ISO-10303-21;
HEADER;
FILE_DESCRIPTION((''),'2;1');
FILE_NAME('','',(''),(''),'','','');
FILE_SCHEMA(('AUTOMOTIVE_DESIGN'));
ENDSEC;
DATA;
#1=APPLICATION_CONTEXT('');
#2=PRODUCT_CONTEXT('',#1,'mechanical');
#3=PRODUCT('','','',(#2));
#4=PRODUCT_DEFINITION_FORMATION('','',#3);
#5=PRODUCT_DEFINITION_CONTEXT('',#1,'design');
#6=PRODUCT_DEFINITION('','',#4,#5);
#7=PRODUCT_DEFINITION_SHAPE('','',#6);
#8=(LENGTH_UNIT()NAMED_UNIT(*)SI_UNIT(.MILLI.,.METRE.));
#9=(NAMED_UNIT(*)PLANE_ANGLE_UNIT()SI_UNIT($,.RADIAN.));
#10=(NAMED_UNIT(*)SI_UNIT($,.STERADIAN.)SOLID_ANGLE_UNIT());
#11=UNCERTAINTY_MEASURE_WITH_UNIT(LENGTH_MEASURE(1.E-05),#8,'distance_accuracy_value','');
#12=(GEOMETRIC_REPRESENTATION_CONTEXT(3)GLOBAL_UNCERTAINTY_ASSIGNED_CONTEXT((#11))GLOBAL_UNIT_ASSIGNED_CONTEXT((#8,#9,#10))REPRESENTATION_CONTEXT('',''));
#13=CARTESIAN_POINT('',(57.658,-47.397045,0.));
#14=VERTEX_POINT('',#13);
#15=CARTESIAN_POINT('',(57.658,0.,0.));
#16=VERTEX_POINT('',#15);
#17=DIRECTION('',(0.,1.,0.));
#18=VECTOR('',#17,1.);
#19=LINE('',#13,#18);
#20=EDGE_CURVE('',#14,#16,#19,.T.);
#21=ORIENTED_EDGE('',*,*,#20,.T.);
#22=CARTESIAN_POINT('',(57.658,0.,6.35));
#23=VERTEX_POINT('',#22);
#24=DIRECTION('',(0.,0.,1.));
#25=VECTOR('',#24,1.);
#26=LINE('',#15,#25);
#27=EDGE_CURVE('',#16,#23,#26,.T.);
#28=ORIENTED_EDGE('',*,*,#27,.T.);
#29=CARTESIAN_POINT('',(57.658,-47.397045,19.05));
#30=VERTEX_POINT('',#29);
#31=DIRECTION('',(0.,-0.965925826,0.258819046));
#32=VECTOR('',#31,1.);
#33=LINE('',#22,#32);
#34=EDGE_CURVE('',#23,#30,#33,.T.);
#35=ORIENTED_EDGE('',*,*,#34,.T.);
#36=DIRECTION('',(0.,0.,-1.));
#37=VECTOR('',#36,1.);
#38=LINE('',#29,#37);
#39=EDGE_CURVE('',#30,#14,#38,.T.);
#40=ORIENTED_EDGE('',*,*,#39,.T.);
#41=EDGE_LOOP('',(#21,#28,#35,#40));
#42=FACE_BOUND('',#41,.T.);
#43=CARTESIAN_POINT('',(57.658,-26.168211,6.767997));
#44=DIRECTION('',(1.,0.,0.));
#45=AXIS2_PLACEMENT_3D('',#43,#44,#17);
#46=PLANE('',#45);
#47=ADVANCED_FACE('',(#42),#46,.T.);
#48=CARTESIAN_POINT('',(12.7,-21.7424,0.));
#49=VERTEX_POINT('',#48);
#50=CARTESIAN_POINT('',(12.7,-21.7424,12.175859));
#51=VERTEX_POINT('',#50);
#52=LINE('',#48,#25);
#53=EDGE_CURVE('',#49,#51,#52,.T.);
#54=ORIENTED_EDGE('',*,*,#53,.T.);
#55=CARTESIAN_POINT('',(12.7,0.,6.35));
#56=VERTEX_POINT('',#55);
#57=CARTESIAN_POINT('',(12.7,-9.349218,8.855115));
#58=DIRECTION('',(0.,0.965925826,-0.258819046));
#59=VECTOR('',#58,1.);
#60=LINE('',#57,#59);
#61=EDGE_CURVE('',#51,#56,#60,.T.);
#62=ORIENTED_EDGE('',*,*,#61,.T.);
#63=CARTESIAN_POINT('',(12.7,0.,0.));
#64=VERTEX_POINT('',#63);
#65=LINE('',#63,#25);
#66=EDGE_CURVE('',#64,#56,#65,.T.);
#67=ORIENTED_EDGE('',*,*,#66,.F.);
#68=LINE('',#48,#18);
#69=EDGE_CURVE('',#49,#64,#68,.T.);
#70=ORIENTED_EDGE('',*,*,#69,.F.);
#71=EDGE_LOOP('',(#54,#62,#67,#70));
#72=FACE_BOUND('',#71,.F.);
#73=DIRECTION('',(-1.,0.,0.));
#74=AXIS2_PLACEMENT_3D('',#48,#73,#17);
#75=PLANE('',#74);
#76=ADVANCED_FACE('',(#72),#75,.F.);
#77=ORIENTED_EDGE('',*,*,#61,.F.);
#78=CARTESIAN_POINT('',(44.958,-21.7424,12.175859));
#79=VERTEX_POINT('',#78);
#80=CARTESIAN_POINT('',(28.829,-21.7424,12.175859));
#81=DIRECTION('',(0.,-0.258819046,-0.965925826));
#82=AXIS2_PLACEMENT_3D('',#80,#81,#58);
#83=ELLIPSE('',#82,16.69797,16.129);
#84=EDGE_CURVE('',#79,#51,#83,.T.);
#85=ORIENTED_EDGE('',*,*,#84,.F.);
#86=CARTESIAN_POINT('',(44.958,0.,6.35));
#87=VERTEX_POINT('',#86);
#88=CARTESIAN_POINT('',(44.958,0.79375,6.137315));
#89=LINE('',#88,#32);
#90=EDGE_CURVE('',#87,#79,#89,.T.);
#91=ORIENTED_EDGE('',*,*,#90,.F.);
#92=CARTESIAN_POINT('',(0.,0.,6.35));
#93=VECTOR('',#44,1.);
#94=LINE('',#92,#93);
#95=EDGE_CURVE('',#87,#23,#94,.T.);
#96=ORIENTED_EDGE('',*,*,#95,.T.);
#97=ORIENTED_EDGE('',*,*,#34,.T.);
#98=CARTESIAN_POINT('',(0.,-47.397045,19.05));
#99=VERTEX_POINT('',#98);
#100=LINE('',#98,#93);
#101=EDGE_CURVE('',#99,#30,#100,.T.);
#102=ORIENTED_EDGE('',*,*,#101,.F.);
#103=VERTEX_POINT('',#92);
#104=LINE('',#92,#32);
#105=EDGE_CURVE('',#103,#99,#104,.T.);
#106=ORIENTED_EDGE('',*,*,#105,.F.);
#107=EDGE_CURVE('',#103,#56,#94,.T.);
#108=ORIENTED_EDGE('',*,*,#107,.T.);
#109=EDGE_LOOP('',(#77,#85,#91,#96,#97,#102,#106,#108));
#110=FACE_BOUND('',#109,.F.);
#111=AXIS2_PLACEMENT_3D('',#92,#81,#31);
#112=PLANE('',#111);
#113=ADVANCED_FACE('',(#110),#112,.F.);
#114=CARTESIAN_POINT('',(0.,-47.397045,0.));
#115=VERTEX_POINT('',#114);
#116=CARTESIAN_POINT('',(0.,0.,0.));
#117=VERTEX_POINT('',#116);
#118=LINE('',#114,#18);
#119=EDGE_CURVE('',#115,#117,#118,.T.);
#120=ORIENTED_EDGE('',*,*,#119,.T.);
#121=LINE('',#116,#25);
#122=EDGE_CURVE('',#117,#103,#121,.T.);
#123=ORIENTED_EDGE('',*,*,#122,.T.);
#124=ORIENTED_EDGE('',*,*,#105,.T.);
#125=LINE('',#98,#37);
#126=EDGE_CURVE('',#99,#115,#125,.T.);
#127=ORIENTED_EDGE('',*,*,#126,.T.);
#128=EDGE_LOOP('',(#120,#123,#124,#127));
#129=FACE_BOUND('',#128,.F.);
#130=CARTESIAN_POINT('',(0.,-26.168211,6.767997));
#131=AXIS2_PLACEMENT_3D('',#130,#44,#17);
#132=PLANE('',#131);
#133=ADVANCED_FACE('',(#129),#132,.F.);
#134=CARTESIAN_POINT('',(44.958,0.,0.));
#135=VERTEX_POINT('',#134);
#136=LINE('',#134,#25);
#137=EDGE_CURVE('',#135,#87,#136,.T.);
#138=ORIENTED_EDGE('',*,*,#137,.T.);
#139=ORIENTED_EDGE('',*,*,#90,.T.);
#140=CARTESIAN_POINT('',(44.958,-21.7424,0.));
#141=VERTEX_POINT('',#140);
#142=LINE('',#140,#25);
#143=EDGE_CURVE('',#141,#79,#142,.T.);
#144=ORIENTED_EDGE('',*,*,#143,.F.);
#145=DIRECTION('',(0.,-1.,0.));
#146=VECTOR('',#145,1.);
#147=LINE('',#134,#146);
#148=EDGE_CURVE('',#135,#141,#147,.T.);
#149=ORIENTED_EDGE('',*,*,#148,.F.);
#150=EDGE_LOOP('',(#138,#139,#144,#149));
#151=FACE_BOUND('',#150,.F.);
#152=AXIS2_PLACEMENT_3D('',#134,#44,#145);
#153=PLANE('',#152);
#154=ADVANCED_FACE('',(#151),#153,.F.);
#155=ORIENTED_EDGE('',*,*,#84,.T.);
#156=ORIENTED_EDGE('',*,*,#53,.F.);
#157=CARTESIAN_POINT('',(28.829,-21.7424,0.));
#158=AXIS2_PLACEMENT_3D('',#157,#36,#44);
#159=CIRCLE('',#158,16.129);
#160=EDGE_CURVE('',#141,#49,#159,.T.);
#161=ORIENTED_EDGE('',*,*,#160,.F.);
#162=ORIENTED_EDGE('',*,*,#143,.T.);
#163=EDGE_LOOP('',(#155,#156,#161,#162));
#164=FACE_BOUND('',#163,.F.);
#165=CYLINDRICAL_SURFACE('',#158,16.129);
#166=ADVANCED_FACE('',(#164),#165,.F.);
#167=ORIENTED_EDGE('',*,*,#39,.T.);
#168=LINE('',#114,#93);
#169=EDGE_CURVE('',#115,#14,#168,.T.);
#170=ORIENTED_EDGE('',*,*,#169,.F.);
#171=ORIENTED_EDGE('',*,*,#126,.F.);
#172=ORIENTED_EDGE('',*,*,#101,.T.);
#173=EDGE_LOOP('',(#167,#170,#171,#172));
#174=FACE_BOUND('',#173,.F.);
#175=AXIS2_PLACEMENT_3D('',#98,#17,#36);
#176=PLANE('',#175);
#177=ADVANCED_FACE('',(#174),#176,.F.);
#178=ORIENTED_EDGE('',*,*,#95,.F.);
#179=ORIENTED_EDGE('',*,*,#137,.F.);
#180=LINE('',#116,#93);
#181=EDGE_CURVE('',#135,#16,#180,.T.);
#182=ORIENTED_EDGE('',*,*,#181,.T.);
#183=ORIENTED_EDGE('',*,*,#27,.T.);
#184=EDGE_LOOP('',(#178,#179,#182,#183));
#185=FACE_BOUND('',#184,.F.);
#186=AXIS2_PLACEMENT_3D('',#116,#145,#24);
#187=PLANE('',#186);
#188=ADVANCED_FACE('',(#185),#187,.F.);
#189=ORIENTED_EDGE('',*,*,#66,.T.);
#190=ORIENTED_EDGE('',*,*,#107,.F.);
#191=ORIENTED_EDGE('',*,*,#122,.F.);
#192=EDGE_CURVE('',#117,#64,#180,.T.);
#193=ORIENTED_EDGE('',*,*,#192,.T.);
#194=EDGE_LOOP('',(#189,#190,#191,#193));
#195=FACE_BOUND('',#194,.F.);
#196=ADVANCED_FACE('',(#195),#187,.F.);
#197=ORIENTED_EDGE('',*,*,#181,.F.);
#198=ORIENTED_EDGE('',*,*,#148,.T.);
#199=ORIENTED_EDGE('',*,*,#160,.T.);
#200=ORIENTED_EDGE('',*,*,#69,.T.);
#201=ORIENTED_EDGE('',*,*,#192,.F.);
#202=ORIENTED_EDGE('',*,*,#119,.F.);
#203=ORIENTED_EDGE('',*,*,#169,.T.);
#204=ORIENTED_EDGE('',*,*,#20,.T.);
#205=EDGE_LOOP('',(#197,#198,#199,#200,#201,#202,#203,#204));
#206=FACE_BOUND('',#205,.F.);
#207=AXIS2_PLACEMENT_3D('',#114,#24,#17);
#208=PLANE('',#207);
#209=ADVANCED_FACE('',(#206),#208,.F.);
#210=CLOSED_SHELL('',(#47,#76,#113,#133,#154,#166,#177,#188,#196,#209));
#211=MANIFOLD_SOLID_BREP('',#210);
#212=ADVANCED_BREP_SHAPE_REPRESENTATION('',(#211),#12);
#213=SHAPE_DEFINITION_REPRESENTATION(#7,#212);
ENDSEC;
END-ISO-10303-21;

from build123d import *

# Parameters (mm, degrees)
F1_DEPTH = 57.658
F3_DEPTH = 19.051


with BuildPart() as f1:
    # F0 (on Right) → F1 (new body)
    with BuildSketch(Plane.YZ):
        Polygon((-47.397045, 0), (0, 0), (0, 6.35), (-47.397045, 19.05), align=None)
    extrude(amount=F1_DEPTH)

    # F2 (on face) → F3 (cut, through all)
    with BuildSketch(Plane(origin=(0, 0, 0), x_dir=(1, 0, 0), z_dir=(0, 0, -1))):
        with BuildLine():
            Line((12.7, 21.7424), (12.7, 0))
            Line((12.7, 0), (44.958, 0))
            Line((44.958, 0), (44.958, 21.7424))
            ThreePointArc((44.958, 21.7424), (28.829, 37.8714), (12.7, 21.7424))
        make_face()
    extrude(amount=-F3_DEPTH, mode=Mode.SUBTRACT)


solid = f1.part
